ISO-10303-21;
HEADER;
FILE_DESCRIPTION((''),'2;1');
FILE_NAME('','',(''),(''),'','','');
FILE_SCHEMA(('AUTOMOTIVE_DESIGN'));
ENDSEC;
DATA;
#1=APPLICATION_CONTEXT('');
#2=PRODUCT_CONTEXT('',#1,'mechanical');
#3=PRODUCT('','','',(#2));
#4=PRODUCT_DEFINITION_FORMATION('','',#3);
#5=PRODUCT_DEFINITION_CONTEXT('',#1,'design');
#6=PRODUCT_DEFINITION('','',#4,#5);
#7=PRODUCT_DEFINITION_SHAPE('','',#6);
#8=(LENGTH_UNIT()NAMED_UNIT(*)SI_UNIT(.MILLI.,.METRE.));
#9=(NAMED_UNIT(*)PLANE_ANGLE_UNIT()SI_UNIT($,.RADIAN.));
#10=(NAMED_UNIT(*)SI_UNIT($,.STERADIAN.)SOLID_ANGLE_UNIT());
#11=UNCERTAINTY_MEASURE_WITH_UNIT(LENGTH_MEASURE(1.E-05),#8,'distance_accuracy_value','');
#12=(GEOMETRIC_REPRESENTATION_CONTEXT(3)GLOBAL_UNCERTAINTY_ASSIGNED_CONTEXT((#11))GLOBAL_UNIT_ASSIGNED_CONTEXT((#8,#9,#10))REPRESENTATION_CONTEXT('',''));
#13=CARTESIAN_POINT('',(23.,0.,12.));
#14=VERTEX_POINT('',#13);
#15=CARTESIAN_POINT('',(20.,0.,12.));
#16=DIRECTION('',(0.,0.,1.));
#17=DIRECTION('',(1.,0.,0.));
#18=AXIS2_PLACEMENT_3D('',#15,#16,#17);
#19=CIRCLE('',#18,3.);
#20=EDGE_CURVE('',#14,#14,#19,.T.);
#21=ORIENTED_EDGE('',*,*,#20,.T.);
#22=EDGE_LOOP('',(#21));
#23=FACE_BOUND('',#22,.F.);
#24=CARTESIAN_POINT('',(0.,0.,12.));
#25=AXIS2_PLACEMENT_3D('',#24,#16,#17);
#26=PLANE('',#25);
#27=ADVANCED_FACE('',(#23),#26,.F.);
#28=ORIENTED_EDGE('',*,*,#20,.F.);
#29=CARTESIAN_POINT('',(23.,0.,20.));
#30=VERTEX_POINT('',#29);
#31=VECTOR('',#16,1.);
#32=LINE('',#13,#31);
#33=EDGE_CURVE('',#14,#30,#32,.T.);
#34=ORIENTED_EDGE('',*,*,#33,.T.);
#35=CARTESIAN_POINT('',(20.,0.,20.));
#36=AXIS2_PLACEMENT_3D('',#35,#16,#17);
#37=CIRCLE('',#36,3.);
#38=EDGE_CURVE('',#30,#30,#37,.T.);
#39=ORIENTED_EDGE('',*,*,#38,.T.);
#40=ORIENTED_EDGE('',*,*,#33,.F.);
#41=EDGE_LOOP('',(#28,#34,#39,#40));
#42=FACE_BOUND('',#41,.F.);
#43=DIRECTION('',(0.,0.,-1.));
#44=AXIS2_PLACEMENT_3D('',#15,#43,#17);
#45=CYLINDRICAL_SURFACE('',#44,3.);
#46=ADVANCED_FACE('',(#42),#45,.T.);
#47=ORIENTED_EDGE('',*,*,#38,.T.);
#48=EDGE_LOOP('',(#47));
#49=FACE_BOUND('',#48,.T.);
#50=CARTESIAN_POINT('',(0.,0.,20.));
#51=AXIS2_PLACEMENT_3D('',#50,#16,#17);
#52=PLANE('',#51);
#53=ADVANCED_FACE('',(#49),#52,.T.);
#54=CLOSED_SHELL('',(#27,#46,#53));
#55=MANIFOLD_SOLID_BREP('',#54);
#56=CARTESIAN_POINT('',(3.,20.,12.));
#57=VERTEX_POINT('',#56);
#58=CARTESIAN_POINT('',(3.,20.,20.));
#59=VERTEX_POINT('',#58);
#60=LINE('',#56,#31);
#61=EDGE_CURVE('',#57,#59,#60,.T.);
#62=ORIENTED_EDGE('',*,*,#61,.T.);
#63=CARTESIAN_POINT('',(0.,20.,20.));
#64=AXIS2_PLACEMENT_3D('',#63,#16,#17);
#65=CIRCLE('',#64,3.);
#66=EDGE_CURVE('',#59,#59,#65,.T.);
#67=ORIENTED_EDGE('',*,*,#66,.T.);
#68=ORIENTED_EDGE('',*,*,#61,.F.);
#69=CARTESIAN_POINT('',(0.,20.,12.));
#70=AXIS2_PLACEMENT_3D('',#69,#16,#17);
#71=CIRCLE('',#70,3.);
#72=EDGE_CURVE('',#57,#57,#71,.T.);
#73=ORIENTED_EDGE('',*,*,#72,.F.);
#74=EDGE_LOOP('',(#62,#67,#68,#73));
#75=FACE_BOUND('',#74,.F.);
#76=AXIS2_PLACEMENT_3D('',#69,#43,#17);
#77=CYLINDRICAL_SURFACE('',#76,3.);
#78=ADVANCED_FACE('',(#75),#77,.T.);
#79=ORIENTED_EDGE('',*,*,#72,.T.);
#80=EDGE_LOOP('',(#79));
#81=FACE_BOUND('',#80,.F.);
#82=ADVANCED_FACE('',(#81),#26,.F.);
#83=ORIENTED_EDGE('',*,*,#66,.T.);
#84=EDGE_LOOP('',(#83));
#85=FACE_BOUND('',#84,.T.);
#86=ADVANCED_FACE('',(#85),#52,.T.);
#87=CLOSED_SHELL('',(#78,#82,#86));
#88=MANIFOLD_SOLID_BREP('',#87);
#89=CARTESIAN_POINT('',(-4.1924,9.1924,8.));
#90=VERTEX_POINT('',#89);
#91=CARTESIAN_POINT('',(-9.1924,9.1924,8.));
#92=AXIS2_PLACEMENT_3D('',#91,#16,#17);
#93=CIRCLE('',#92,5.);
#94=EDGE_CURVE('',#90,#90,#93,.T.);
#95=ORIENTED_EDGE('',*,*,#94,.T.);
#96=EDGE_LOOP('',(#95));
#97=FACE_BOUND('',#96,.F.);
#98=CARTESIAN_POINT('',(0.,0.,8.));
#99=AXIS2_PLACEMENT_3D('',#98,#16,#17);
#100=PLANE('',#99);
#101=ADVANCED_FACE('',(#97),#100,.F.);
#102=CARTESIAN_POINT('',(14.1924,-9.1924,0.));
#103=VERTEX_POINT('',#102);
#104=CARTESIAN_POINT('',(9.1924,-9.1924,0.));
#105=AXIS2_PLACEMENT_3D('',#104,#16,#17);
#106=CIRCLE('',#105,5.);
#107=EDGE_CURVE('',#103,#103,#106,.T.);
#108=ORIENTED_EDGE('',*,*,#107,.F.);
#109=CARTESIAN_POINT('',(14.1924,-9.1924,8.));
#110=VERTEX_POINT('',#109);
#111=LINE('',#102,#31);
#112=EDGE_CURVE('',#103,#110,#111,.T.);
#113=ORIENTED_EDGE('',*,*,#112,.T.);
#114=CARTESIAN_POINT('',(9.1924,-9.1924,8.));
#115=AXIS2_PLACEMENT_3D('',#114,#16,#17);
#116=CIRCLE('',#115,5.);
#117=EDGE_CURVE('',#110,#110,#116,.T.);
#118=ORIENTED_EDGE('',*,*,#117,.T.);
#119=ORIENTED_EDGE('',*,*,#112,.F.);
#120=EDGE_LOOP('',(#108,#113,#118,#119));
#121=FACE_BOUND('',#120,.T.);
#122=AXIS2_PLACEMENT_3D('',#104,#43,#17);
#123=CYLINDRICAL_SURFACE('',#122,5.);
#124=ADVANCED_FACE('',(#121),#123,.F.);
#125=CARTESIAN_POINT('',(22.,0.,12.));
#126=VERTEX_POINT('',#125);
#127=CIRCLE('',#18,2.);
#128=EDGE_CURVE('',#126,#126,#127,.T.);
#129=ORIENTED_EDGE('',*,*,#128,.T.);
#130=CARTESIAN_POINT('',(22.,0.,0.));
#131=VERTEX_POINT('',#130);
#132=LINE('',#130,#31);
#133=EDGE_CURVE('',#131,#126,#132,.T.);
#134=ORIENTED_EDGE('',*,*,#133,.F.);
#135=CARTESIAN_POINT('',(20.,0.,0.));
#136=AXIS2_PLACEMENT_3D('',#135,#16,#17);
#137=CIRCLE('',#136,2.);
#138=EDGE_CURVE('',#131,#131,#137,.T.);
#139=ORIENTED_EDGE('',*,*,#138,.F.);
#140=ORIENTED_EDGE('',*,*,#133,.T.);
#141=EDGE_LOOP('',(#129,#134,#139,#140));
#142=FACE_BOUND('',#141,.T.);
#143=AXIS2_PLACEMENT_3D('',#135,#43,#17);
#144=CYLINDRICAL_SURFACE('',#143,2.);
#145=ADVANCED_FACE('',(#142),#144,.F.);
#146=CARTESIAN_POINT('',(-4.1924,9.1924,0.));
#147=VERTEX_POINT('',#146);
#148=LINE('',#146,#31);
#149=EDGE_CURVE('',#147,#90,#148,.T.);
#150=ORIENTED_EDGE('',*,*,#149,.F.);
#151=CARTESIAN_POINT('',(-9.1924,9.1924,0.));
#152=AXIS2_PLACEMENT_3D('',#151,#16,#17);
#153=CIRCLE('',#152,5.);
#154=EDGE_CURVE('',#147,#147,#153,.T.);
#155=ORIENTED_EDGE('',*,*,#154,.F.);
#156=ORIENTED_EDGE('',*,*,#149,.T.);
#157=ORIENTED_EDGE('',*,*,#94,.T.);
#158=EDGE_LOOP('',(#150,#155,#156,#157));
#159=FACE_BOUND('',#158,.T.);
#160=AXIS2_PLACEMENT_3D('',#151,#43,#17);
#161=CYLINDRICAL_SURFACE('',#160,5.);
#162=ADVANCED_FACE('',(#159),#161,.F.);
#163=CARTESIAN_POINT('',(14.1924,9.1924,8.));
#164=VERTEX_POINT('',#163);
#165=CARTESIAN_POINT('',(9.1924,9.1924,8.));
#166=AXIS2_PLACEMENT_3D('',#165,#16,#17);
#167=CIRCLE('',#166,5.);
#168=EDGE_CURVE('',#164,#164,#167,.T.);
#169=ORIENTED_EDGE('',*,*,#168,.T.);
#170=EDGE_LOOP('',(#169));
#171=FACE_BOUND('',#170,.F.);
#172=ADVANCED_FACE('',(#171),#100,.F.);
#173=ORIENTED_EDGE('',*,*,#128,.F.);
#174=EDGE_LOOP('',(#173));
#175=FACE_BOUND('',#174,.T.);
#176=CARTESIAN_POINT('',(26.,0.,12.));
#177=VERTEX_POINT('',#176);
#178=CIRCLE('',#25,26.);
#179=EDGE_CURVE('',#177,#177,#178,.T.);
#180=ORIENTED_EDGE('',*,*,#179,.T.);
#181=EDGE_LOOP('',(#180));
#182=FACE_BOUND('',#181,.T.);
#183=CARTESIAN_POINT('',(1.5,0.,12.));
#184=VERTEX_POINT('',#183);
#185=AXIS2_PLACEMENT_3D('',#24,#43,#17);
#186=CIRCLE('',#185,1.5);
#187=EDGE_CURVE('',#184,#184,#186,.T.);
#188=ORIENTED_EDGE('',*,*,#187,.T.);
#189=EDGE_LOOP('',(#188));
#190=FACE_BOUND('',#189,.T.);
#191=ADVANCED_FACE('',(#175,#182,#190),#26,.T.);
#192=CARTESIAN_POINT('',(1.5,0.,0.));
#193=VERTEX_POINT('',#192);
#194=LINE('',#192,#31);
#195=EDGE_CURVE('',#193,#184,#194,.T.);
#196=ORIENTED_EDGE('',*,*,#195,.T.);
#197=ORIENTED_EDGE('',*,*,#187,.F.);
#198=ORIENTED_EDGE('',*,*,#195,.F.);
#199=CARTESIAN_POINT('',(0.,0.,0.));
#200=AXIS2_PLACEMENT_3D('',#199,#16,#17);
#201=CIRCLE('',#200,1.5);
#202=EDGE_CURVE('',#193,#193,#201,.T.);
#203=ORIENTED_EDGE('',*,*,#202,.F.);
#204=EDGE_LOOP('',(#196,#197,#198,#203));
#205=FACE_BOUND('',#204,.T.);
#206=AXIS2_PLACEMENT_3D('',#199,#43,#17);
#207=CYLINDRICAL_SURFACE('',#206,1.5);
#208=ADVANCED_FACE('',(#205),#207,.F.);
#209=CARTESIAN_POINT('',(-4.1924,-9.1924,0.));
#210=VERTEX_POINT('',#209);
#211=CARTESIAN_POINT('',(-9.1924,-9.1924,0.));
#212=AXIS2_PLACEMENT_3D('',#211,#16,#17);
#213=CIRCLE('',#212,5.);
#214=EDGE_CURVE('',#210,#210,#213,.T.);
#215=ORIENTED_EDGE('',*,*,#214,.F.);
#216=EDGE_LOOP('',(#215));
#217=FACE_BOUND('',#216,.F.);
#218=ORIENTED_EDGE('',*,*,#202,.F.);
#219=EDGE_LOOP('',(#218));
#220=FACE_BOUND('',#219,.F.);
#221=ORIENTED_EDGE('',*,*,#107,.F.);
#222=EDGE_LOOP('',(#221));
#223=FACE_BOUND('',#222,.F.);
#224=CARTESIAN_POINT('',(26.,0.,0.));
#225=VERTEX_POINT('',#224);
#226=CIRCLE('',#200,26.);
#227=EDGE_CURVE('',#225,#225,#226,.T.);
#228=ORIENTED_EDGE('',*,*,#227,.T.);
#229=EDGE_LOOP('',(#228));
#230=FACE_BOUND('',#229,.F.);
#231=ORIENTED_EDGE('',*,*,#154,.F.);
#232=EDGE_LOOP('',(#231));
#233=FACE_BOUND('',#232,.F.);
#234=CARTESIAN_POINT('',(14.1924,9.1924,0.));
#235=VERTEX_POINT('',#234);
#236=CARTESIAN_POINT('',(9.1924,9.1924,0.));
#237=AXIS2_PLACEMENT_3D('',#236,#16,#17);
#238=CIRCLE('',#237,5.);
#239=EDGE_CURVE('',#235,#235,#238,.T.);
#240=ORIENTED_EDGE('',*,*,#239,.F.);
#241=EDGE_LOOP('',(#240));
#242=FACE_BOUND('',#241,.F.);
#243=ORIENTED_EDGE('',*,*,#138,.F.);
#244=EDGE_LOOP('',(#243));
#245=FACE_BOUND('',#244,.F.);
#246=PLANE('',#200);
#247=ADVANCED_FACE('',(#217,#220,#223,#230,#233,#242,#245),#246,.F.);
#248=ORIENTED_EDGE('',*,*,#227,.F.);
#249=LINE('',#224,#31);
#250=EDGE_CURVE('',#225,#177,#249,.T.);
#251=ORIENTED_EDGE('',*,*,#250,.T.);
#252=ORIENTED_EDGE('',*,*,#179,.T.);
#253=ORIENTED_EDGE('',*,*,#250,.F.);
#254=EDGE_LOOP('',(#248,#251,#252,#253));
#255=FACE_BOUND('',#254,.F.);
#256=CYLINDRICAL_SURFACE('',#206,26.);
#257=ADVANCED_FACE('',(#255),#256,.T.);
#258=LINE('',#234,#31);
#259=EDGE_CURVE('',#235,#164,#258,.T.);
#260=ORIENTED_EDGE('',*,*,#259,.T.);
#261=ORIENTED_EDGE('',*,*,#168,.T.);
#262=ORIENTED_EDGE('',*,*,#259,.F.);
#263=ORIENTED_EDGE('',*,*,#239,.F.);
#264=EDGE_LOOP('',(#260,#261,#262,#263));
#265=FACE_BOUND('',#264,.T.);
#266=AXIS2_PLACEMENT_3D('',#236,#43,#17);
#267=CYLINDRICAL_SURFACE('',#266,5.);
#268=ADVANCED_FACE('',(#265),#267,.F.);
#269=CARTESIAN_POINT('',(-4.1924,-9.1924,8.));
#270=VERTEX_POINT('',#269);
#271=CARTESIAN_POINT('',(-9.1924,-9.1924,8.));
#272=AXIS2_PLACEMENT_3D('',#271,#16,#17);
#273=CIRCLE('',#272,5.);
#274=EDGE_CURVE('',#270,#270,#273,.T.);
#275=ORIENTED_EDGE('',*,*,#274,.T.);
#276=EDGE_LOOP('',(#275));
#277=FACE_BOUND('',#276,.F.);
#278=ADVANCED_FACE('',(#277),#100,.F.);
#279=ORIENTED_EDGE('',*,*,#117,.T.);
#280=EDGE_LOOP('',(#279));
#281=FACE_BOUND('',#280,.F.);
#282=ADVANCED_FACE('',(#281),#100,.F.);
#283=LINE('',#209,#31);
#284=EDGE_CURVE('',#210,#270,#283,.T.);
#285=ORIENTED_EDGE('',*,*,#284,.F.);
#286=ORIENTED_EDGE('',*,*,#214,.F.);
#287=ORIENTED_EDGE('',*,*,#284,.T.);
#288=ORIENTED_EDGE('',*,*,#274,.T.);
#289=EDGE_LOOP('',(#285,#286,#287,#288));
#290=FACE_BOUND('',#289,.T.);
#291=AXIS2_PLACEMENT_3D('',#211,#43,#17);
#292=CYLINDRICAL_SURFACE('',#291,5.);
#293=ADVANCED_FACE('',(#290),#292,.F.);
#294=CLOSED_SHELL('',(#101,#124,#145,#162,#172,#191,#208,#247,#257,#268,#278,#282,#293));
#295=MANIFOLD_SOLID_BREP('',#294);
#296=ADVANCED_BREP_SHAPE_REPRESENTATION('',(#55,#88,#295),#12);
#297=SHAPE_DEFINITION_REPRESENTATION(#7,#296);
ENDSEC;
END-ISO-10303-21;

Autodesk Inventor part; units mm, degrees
ref_plane "YZ Plane" through (0, 0, 0) normal (1, 0, 0) x (0, 1, 0)
ref_plane "XZ Plane" through (0, 0, 0) normal (0, 1, 0) x (-1, 0, 0)
sketch "Skizze1" plane through (0, 0, 0) normal (0, 0, 1) x (1, 0, 0)
  circle A0 centre (0, 0) radius 26
extrude "Extrusion1" add sketch "Skizze1" along normal blind 12
ref_plane "Arbeitsebene1" through (0, 0, 12) normal (0, 0, 1) x (1, 0, 0)
sketch "Skizze2" plane through (0, 0, 0) normal (0, 0, 1) x (1, 0, 0)
  circle A0 centre (0, 0) radius 1.5
extrude "Extrusion2" cut sketch "Skizze2" along normal blind 13
sketch "Skizze3" plane through (0, 0, 12) normal (0, 0, 1) x (1, 0, 0)
  circle A0 centre (20, 0) radius 3
extrude "Extrusion3" add sketch "Skizze3" along normal blind 8 separate body
sketch "Skizze4" plane through (0, 0, 12) normal (0, 0, 1) x (1, 0, 0)
  circle A0 centre (0, 20) radius 3
extrude "Extrusion4" add sketch "Skizze4" along normal blind 8 separate body
sketch "Skizze5" plane through (0, 0, 0) normal (0, 0, 1) x (1, 0, 0)
  circle A0 centre (20, 0) radius 2
extrude "Extrusion5" cut sketch "Skizze5" along normal blind 12 bodies 1
sketch "Skizze6" plane through (0, 0, 0) normal (0, 0, 1) x (1, 0, 0)
  circle A0 centre (9.1924, 9.1924) radius 5
  circle A1 centre (-9.1924, 9.1924) radius 5
  circle A2 centre (-9.1924, -9.1924) radius 5
  circle A3 centre (9.1924, -9.1924) radius 5
extrude "Extrusion6" cut sketch "Skizze6" along normal blind 8 bodies 1
properties part number "Kupplungsscheibe_v2"
